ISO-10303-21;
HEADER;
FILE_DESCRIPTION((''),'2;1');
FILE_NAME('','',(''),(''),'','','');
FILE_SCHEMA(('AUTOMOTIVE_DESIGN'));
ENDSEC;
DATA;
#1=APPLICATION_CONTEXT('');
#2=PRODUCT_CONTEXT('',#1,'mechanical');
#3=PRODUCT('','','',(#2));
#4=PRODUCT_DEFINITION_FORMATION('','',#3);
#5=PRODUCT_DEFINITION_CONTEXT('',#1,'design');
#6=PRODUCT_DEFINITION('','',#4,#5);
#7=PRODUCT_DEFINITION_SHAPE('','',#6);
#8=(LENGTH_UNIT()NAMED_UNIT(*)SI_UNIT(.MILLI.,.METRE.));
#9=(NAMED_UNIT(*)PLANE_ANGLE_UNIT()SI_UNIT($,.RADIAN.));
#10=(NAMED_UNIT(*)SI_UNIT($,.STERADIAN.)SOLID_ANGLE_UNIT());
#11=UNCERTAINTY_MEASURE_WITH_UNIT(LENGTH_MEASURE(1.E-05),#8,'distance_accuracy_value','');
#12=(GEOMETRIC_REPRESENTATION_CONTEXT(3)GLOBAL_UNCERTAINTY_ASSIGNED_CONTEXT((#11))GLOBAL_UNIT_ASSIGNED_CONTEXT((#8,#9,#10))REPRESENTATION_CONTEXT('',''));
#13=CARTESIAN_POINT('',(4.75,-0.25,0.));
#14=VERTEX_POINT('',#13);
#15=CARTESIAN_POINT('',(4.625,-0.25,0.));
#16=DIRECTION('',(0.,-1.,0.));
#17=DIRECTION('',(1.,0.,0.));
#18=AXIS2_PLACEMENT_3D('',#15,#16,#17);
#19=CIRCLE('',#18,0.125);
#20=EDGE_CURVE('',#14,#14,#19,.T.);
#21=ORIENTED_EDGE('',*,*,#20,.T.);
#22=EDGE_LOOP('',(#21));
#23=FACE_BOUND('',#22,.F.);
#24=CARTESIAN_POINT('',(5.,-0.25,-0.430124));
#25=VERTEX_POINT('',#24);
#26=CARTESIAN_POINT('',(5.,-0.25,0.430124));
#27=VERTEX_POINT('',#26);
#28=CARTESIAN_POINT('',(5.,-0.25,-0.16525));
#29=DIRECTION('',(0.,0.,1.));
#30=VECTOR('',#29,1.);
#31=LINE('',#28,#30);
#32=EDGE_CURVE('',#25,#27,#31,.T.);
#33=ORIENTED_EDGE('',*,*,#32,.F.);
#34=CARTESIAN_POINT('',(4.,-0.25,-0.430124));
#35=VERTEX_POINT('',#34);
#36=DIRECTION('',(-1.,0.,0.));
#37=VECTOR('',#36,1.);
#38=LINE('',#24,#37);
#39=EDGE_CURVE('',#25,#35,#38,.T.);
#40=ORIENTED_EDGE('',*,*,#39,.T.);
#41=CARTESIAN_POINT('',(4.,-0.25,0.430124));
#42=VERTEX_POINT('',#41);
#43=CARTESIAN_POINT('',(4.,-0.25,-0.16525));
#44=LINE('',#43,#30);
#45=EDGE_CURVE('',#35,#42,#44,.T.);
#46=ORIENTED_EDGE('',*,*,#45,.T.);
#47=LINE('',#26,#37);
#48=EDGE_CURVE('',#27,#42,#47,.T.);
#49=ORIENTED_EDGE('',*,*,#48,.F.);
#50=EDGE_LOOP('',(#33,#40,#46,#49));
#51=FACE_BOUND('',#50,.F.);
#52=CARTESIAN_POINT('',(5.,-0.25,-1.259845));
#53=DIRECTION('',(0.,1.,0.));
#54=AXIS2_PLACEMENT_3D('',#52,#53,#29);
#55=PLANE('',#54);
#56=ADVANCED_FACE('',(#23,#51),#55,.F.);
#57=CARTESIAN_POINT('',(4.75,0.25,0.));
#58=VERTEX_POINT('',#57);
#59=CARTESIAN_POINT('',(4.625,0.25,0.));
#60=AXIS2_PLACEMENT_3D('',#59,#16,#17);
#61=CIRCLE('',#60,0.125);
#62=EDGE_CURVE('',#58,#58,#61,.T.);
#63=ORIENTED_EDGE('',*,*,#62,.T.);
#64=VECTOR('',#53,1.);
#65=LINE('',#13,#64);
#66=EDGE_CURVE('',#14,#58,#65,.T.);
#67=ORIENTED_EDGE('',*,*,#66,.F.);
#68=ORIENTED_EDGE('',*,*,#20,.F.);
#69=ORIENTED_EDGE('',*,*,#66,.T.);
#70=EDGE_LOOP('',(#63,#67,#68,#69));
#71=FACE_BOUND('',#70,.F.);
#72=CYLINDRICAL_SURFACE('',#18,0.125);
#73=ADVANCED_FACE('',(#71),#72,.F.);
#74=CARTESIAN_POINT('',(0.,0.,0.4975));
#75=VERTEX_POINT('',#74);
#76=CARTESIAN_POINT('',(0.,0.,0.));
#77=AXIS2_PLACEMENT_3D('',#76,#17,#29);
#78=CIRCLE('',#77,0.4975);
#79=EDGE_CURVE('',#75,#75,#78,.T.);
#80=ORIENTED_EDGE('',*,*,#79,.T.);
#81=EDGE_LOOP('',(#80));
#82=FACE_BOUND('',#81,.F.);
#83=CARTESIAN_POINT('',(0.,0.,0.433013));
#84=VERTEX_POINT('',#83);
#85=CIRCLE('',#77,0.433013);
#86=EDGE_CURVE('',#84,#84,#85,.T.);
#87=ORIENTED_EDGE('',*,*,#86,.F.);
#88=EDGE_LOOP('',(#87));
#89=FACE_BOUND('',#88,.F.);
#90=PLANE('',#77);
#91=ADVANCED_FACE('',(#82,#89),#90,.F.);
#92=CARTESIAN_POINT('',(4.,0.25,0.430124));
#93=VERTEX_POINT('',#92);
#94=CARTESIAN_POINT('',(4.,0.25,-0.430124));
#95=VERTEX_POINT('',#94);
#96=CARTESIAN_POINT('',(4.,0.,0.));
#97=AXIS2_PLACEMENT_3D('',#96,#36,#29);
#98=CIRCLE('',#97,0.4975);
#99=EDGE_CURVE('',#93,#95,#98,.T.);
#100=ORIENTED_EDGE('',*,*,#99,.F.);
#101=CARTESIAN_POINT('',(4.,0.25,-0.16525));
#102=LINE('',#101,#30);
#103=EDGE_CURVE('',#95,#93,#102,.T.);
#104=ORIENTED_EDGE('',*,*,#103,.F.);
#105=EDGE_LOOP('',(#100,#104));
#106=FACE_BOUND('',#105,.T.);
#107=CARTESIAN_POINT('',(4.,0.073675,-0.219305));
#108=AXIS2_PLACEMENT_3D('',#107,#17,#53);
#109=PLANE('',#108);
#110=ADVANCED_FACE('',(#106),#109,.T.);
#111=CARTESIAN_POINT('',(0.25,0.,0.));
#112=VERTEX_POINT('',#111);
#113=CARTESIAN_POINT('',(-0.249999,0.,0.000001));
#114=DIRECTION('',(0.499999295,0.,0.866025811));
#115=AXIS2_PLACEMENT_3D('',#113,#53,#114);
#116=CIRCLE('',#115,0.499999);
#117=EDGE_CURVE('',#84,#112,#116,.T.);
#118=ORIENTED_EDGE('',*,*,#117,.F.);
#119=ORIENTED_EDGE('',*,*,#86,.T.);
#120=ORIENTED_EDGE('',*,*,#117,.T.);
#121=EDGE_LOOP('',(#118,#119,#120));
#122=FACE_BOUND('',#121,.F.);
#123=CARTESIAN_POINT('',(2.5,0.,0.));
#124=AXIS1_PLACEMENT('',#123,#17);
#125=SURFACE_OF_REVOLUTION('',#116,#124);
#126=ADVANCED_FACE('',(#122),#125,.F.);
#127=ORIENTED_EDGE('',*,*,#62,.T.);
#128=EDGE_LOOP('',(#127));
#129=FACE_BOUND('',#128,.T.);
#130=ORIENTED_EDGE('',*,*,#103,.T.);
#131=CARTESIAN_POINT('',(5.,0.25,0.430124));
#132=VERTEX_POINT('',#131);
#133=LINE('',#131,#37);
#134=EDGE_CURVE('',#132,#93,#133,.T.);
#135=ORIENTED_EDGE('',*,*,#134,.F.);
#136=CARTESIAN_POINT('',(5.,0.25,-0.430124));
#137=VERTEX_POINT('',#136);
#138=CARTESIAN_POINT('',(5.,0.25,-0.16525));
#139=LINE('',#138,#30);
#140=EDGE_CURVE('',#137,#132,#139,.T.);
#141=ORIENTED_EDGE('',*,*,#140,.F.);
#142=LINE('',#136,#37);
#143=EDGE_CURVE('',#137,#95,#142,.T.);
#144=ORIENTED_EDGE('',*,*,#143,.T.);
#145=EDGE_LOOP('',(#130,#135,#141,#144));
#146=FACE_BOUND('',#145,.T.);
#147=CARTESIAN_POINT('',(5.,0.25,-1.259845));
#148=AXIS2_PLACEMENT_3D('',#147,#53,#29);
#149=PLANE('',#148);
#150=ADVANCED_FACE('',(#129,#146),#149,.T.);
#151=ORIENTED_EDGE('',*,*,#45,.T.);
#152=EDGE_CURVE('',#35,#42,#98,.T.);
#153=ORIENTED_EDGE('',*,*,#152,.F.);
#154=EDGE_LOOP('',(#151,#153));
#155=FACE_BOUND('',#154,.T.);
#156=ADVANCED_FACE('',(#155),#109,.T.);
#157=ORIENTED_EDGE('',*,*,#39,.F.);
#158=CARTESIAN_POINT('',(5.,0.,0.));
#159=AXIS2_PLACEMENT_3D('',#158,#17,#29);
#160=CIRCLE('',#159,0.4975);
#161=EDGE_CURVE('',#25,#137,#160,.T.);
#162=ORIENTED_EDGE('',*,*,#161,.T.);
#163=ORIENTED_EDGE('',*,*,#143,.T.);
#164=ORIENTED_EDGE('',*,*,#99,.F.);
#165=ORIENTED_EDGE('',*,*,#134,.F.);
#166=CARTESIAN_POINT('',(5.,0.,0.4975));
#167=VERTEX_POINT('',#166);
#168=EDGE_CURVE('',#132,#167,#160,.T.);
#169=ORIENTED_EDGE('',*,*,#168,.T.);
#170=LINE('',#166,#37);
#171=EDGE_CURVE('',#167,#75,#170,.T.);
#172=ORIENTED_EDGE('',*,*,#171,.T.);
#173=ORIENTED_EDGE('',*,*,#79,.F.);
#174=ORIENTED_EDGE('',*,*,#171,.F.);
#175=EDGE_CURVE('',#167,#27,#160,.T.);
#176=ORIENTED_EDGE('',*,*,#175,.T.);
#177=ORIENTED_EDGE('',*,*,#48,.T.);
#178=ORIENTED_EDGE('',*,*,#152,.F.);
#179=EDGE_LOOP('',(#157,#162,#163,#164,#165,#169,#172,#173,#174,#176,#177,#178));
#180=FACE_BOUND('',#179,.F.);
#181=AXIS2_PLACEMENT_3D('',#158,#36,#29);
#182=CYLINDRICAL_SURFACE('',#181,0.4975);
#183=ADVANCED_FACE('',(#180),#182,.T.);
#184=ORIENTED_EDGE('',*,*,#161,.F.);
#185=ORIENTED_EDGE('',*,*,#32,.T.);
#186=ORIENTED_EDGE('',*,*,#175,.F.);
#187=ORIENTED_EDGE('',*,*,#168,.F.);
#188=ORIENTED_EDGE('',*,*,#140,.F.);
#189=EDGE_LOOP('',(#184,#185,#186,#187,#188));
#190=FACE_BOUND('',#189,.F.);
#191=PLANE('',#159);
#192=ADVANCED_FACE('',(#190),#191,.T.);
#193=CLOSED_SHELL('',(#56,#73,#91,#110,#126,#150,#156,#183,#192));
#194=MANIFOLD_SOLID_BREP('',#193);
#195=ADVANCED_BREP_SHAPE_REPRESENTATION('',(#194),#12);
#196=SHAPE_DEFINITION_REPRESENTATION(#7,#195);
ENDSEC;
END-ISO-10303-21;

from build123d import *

# Parameters (mm, degrees)
F2_W     = 3.756756
F2_H     = 4.62162
F2_W_2   = 0.5
F2_H_2   = 2.189189
F3_DEPTH = 1
F4_R     = 0.125
F5_DEPTH = 1


with BuildPart() as f1:
    # F0 (on Front) → F1 (revolve)
    with BuildSketch(Plane.XZ):
        with BuildLine():
            ThreePointArc((0, 0.433013), (0.183013, 0.25), (0.25, 0))
            Line((0.25, 0), (5, 0))
            Line((5, 0), (5, 0.4975))
            Line((5, 0.4975), (0, 0.4975))
            Line((0, 0.4975), (0, 0.433013))
        make_face()
    revolve(axis=Axis((2.5, 0, 0), (1, 0, 0)))

    # F2 (on face) → F3 (cut)
    with BuildSketch(Plane.YZ.offset(5)):
        with Locations((0.073675, -0.219305)):
            Rectangle(F2_W, F2_H)
        with Locations((0, -0.16525)):
            Rectangle(F2_W_2, F2_H_2, mode=Mode.SUBTRACT)
    extrude(amount=-F3_DEPTH, mode=Mode.SUBTRACT)

    # F4 (on face) → F5 (cut)
    with BuildSketch(Plane.XZ.offset(0.25)):
        with Locations((4.625, 0)):
            Circle(F4_R)
    extrude(amount=-F5_DEPTH, mode=Mode.SUBTRACT)


solid = f1.part
